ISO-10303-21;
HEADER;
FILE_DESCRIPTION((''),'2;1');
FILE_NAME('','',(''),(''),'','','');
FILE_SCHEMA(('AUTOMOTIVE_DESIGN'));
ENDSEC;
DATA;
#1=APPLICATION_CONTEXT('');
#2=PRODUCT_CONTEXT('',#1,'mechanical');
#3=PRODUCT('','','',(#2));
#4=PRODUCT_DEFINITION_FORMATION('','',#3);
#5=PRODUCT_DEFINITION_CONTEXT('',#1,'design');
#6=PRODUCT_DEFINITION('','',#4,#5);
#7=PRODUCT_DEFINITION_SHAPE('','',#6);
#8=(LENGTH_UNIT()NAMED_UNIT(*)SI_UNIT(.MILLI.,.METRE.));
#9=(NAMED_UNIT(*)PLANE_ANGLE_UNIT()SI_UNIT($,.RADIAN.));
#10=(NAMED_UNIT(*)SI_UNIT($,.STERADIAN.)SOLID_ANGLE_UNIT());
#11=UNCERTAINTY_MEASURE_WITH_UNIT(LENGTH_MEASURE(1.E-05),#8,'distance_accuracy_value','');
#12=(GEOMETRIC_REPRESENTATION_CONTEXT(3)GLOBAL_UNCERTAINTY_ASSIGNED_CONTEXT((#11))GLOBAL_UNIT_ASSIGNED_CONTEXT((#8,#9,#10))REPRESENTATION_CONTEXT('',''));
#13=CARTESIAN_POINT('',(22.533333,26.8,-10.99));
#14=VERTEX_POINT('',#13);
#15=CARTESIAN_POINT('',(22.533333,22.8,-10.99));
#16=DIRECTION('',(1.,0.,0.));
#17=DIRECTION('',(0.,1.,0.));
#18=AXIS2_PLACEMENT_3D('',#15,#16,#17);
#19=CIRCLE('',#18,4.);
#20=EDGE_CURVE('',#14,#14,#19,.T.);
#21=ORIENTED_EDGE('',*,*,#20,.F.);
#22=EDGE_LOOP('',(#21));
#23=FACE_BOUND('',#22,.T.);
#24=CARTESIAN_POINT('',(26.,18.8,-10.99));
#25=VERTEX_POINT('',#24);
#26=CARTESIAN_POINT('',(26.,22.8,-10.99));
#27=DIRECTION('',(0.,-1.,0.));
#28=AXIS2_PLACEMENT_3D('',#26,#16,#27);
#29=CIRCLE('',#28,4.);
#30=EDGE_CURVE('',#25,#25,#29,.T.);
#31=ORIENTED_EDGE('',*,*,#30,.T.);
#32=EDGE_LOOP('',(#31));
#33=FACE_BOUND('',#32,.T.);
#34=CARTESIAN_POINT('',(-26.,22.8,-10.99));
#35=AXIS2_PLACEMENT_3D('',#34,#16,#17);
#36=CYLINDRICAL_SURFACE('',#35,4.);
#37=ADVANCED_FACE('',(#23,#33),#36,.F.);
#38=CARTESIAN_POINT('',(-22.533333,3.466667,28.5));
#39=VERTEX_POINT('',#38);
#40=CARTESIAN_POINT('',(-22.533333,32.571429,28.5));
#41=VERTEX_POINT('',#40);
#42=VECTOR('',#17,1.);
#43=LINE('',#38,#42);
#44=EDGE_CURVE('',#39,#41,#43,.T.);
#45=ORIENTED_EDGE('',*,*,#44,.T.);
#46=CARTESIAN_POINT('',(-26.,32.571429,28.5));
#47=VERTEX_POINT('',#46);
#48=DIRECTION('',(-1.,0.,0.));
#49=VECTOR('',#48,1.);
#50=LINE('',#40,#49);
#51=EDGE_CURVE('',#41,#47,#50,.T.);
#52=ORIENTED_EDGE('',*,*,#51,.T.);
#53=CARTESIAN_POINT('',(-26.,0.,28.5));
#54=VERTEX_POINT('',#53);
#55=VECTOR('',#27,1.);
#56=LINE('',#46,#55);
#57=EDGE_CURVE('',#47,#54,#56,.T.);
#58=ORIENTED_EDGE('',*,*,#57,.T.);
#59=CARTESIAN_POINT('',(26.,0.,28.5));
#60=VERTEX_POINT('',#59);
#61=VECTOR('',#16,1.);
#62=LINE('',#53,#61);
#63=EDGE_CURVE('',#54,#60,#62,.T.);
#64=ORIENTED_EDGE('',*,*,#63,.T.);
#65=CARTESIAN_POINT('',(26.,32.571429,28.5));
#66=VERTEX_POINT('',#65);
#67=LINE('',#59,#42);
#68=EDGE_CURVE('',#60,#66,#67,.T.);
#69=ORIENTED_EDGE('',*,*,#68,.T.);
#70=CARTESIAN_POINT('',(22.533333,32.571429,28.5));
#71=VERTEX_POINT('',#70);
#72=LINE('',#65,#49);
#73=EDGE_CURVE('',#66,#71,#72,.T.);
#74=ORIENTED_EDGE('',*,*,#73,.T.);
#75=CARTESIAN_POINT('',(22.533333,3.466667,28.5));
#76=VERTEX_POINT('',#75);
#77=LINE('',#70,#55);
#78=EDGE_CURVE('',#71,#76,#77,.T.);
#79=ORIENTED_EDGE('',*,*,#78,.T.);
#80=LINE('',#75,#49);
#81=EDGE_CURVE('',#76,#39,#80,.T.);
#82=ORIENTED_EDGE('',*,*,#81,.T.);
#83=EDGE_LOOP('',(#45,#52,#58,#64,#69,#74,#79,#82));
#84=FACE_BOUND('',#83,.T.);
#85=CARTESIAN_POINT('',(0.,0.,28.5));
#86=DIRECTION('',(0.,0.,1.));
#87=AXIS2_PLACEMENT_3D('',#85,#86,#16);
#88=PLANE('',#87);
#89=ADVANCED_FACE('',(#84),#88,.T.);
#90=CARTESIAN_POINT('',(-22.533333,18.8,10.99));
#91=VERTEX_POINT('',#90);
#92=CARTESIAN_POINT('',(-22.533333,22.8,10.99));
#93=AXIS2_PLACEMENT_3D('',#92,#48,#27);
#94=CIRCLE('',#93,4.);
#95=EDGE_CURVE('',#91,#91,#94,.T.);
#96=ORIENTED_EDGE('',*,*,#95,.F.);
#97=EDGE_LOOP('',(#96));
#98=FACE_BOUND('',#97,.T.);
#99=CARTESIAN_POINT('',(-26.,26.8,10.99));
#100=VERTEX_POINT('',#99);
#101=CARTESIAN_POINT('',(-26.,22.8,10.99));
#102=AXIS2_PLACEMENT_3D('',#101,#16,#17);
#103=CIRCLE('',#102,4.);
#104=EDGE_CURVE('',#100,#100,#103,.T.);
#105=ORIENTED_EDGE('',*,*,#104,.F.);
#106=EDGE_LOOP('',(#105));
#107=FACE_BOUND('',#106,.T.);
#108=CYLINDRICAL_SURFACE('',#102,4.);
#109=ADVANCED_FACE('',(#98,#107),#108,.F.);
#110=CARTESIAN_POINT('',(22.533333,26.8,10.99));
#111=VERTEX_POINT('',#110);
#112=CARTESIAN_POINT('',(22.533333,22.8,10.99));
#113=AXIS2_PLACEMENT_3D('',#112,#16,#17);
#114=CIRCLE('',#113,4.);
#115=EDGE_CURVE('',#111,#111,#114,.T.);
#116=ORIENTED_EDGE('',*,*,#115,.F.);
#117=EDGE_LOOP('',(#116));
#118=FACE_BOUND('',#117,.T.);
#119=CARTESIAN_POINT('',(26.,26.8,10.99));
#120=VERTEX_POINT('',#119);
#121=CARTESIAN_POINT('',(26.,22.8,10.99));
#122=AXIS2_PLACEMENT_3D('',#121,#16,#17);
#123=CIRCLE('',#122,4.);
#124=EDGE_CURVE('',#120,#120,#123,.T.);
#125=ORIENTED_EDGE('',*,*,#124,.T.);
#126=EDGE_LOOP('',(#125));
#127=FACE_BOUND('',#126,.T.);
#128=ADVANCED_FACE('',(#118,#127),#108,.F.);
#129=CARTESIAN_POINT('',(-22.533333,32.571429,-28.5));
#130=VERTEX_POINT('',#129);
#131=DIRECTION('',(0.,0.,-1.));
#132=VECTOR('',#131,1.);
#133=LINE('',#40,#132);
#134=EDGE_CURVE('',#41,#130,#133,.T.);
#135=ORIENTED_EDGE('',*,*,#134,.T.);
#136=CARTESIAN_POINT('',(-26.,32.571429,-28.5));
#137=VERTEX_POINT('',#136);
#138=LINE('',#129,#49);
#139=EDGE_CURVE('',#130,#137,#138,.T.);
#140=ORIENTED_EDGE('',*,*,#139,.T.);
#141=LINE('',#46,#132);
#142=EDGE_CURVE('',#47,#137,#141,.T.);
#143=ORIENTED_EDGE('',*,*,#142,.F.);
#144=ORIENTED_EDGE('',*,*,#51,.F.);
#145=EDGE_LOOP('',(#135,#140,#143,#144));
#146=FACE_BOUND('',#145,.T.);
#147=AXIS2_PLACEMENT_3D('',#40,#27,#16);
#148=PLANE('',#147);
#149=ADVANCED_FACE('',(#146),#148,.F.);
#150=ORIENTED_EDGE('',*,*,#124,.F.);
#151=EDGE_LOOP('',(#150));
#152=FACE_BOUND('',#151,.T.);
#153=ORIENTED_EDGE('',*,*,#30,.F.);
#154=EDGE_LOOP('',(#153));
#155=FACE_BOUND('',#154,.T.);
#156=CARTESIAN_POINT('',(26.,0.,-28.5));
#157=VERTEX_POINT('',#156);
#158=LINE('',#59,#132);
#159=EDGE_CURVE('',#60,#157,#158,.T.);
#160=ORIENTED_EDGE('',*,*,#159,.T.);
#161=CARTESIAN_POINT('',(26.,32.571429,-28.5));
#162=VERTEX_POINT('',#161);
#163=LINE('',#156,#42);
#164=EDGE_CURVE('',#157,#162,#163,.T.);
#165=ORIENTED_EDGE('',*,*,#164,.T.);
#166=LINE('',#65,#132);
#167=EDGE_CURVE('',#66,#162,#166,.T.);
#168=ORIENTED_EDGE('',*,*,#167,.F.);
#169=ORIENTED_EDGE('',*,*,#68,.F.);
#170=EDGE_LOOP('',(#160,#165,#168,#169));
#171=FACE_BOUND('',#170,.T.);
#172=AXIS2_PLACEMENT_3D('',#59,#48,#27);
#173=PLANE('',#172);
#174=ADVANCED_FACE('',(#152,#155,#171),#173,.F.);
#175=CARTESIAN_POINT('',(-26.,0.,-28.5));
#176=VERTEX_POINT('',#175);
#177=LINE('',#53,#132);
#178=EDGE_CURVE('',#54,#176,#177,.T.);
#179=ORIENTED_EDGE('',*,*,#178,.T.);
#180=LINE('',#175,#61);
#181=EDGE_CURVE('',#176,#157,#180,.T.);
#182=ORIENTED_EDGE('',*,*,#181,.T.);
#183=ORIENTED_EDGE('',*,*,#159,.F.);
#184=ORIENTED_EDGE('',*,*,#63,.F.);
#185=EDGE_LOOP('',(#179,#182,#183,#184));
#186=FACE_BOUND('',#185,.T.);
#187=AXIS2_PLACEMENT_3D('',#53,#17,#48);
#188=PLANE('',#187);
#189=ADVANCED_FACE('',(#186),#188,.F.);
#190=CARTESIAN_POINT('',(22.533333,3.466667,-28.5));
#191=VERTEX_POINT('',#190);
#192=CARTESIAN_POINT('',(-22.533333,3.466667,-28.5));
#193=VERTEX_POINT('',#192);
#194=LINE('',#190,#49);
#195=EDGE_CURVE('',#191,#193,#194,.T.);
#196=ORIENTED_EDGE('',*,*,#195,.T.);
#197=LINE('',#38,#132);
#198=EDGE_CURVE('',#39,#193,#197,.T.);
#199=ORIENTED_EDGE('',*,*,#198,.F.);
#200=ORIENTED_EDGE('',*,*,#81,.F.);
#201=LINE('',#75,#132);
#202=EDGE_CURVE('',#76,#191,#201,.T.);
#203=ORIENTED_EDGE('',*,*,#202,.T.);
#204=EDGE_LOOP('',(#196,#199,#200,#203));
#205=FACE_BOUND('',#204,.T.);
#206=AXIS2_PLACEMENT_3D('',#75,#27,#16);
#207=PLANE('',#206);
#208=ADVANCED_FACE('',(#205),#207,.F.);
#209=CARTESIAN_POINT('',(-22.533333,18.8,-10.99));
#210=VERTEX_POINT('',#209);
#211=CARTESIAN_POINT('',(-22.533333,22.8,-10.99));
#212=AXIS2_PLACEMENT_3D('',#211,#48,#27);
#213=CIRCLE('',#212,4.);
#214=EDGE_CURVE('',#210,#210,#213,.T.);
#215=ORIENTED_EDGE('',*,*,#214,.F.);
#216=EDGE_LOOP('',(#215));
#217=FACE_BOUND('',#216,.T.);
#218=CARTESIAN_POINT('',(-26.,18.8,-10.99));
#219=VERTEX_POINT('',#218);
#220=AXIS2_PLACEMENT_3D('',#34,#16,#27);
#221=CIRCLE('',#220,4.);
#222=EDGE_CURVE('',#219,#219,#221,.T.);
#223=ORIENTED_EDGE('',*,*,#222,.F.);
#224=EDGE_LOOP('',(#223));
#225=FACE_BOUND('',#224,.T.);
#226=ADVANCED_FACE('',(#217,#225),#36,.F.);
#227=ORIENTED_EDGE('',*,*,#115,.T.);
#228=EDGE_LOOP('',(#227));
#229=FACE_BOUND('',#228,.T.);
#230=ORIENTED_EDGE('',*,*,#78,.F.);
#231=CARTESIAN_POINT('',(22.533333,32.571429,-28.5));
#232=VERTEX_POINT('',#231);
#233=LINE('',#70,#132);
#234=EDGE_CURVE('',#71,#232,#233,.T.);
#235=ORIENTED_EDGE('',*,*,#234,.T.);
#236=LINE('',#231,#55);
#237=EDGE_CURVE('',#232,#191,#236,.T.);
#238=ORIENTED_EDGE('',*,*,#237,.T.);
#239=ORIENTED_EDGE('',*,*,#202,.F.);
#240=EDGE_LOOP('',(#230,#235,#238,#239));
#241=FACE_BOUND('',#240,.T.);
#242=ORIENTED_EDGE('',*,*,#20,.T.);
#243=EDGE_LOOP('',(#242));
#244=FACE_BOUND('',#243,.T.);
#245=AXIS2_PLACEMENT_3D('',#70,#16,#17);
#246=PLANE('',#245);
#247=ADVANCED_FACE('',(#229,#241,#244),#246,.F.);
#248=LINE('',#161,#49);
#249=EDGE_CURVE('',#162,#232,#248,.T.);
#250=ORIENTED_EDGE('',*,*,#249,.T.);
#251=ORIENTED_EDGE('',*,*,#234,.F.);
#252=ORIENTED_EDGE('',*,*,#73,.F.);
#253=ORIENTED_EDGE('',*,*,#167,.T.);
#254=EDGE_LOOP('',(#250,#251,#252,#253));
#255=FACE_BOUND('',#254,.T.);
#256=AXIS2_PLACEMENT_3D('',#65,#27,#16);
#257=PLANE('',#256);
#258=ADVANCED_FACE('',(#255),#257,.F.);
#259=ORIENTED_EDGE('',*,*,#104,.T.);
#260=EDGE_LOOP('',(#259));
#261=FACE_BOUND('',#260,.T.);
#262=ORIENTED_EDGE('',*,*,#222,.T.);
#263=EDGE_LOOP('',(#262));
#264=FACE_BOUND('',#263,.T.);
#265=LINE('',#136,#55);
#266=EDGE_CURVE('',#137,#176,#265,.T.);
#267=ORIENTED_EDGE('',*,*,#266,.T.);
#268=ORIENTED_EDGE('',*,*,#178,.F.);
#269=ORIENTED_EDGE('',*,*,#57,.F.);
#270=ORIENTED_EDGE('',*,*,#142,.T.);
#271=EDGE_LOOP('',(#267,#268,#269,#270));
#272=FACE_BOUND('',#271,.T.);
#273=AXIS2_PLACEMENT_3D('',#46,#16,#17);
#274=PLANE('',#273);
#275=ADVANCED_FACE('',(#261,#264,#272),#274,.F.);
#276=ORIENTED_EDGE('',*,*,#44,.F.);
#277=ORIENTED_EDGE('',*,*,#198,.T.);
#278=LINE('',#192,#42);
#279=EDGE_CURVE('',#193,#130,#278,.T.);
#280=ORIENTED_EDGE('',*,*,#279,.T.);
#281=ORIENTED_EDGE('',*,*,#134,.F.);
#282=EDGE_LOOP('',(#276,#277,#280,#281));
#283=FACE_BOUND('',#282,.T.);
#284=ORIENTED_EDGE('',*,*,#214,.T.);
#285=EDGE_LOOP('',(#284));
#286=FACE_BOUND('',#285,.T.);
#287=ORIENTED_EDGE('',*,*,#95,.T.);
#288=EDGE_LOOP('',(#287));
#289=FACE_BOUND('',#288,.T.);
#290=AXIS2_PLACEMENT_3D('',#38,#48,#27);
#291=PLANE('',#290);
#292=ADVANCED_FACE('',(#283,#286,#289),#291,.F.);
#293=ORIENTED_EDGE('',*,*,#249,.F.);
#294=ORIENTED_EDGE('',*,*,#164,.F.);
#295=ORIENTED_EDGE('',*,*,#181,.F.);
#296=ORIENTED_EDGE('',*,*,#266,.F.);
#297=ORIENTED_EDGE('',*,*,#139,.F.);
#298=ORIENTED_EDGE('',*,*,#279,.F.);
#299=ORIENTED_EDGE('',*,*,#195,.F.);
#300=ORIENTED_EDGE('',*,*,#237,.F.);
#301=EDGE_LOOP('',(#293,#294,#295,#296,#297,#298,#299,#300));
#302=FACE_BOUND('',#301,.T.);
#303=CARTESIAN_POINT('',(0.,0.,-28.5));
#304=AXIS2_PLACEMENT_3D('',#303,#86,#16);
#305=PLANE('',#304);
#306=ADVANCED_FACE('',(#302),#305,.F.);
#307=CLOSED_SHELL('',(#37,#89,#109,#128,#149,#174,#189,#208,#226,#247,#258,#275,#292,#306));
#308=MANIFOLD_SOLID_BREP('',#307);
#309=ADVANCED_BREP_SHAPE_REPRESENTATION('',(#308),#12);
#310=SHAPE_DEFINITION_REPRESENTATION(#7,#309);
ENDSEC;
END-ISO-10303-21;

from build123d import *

# Parameters (mm, degrees)
BOSS_EXTRUDE1_DEPTH = 28.5
SKETCH2_R           = 4
CUT_EXTRUDE1_DEPTH  = 68.6546226


with BuildPart() as part:
    # Sketch1 → Boss-Extrude1 (new, symmetric)
    with BuildSketch(Plane.XY):
        Polygon((-26, 0), (26, 0), (26, 32.571428571), (22.533333333, 32.571428571), (22.533333333, 3.466666667), (-22.533333333, 3.466666667), (-22.533333333, 32.571428571), (-26, 32.571428571), align=None)
    extrude(amount=BOSS_EXTRUDE1_DEPTH, both=True)

    # Sketch2 → Cut-Extrude1 (cut, through all)
    with BuildSketch(Plane(origin=(26, 0, 0), x_dir=(0, 0, -1), z_dir=(1, 0, 0))):
        with Locations(Location((-10.99, 22.8, 0), (0, 0, 90))):
            Circle(SKETCH2_R)
        with Locations(Location((10.99, 22.8, 0), (0, 0, 270))):
            Circle(SKETCH2_R)
    extrude(amount=-CUT_EXTRUDE1_DEPTH, mode=Mode.SUBTRACT)


solid = part.part
